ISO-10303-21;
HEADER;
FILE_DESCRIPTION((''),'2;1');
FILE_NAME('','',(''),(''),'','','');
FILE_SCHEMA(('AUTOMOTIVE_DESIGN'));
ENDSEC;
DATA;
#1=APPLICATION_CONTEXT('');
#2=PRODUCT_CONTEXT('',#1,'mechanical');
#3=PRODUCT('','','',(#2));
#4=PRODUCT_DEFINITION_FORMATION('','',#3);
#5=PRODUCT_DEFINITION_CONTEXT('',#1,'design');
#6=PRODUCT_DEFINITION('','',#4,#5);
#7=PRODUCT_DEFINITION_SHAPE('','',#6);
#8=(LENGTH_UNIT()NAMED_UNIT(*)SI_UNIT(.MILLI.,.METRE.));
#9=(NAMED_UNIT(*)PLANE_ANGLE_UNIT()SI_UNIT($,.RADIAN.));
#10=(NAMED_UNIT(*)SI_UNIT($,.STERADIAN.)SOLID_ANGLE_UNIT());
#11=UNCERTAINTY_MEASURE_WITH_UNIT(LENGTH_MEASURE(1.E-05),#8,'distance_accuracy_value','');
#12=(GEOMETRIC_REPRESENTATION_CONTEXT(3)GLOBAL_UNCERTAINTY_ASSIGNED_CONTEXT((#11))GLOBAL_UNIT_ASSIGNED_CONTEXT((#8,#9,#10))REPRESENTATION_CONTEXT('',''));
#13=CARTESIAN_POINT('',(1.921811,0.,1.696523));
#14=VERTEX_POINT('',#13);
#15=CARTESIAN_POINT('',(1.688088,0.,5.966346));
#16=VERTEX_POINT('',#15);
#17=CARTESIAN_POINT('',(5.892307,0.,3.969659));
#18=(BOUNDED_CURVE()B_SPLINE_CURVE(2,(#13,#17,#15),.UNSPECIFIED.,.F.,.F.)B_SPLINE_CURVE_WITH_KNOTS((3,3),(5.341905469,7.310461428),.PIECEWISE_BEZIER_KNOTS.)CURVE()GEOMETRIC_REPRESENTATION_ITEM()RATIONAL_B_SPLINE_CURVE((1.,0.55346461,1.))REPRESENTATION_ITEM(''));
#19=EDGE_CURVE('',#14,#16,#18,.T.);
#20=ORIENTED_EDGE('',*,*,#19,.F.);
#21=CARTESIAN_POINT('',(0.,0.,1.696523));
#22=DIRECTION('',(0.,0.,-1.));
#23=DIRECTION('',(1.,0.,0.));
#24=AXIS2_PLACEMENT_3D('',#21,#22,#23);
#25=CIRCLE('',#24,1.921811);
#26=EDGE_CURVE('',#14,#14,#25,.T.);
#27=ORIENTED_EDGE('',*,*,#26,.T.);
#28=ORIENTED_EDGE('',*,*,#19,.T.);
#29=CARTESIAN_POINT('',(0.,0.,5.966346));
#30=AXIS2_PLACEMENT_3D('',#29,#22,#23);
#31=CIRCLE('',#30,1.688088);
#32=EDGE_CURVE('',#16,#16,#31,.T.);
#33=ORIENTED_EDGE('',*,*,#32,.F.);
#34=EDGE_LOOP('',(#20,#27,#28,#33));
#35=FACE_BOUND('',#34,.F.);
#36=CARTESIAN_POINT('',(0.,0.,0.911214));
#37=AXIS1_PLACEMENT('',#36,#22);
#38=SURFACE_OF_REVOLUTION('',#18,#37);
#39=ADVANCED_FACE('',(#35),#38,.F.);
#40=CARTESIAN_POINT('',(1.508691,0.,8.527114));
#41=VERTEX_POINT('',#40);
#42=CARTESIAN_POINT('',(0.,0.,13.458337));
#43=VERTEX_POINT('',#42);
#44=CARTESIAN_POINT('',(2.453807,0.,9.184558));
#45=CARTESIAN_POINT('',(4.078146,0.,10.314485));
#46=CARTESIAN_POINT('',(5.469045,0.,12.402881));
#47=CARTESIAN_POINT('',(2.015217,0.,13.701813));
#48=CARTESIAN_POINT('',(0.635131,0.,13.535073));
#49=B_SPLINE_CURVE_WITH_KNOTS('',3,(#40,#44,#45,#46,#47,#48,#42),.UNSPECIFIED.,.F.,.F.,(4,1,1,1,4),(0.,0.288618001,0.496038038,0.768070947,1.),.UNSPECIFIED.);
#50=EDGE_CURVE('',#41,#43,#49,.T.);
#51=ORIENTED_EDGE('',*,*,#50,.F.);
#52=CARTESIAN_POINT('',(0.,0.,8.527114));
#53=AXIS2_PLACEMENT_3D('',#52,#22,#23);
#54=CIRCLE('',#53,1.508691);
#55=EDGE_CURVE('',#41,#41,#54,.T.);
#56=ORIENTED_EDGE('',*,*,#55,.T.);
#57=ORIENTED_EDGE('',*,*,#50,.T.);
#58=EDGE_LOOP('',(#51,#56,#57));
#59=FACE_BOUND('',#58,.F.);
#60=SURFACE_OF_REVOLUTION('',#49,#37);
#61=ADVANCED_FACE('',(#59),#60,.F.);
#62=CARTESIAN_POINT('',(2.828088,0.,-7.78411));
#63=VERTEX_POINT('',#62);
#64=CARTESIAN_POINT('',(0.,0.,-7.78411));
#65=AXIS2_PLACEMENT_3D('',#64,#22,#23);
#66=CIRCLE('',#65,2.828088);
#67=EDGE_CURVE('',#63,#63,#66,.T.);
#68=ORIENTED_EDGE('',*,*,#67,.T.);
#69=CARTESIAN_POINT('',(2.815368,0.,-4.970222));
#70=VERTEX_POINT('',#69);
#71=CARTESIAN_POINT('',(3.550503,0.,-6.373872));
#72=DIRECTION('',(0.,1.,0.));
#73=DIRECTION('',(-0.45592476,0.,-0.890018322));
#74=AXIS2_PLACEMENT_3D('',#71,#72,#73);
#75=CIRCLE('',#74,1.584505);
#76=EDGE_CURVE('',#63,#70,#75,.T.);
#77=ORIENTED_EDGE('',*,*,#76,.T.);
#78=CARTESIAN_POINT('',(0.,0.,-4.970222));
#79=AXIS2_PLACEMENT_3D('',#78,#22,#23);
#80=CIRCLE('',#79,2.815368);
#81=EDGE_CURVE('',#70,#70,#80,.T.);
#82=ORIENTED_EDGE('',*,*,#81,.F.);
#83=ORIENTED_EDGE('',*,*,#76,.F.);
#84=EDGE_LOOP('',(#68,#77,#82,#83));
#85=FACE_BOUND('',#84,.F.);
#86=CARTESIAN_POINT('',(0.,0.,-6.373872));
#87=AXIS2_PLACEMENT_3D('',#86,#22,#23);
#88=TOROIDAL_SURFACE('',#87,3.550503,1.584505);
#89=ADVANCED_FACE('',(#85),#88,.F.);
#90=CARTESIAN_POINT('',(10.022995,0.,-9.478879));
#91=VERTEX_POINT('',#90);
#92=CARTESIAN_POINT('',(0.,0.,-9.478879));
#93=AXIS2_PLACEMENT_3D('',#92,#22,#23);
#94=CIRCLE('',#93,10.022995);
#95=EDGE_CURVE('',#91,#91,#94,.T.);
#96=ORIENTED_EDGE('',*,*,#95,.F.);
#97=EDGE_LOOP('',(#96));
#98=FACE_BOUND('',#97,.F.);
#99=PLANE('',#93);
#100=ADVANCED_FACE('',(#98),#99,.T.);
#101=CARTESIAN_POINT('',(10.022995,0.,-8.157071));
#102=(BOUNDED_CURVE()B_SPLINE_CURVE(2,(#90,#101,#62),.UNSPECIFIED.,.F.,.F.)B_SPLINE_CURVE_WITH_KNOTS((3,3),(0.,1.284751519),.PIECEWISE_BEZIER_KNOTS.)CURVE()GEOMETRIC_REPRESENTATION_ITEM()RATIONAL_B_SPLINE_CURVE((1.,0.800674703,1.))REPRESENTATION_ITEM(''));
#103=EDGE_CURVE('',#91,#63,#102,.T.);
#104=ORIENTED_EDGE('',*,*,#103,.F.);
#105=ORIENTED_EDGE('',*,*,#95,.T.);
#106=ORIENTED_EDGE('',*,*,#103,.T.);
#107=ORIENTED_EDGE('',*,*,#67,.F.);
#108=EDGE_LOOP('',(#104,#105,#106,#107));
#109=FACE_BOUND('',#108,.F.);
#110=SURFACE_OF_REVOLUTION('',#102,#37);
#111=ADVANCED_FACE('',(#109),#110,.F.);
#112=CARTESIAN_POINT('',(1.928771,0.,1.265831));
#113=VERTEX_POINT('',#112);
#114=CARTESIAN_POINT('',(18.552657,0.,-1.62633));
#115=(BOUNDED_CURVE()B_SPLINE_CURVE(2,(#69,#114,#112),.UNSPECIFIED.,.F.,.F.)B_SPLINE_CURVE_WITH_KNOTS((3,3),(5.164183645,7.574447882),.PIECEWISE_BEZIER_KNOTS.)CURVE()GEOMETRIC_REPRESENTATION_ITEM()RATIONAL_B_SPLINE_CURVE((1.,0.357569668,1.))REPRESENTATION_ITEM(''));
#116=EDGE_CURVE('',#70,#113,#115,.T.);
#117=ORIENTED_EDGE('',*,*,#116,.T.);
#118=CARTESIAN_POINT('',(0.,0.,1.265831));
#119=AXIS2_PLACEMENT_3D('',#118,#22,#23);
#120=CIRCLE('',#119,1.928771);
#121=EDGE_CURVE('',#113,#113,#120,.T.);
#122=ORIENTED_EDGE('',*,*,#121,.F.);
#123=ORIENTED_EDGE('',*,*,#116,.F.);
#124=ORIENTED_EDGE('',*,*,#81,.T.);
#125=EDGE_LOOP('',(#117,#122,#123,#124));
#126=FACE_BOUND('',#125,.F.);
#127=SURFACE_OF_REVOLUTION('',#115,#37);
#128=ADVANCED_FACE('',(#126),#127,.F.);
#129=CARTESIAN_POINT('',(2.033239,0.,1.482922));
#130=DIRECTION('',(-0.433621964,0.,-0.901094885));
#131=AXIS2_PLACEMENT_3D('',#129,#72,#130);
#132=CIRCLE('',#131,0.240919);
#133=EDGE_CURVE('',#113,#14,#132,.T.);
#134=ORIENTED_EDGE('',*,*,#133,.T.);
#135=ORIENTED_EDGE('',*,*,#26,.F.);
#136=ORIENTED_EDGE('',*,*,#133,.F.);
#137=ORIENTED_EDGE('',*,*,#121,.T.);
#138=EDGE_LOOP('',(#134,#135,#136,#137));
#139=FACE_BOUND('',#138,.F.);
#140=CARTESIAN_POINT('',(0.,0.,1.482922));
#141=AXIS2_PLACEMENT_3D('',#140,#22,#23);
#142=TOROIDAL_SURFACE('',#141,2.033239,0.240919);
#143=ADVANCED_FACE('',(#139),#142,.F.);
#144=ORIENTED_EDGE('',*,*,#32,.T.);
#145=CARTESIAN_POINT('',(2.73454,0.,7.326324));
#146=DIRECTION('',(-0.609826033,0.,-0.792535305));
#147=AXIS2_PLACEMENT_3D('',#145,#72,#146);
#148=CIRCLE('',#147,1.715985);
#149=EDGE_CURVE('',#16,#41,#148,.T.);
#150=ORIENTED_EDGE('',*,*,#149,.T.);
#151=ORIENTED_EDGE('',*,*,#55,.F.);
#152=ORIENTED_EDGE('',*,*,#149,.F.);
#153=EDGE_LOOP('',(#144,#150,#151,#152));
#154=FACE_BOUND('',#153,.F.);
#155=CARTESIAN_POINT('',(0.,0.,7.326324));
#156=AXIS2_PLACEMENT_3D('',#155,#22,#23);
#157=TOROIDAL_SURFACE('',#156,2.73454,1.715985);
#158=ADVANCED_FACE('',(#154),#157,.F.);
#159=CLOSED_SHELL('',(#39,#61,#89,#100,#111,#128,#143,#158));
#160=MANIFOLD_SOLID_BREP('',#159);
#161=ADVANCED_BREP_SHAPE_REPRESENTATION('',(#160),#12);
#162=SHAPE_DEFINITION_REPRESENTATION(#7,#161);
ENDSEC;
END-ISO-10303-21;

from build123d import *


with BuildPart() as f1:
    # F0 (on Front) → F1 (revolve)
    with BuildSketch(Plane.XZ):
        with BuildLine():
            Line((0, -9.4788792344), (10.0229945814, -9.4788792344))
            add(Edge.make_bspline(
                [(10.0229945814, -9.4788792344), (10.0229945814, -8.1570714362), (2.8280877488, -7.7841102008)],
                knots=[0, 0, 0, 1.2847515188, 1.2847515188, 1.2847515188], degree=2, weights=[1, 0.8006747029, 1]))
            ThreePointArc((2.8280877488, -7.7841102008), (1.9660140965, -6.3810340586), (2.8153684601, -4.9702219491))
            add(Edge.make_bspline(
                [(2.8153684601, -4.9702219491), (18.5526569864, -1.6263295645), (1.9287710757, 1.2658312138)],
                knots=[5.1641836446, 5.1641836446, 5.1641836446, 7.5744478818, 7.5744478818, 7.5744478818], degree=2, weights=[1, 0.3575696683, 1]))
            ThreePointArc((1.9287710757, 1.2658312138), (1.7923514955, 1.4790289672), (1.9218109572, 1.6965234077))
            add(Edge.make_bspline(
                [(1.9218109572, 1.6965234077), (5.8923067099, 3.9696594113), (1.6880880576, 5.9663457796)],
                knots=[5.3419054692, 5.3419054692, 5.3419054692, 7.3104614277, 7.3104614277, 7.3104614277], degree=2, weights=[1, 0.55346461, 1]))
            ThreePointArc((1.6880880576, 5.9663457796), (1.0227510376, 7.206402764), (1.5086905295, 8.527113741))
            add(Edge.make_bspline(
                [(1.5086905295, 8.527113741), (2.4538067646, 9.1845577191), (4.0781462083, 10.3144845428), (5.469044603, 12.4028812679), (2.0152173621, 13.701813068), (0.63513135, 13.5350725807), (0, 13.4583367035)],
                knots=[0, 0, 0, 0, 0.2886180008, 0.4960380379, 0.7680709474, 1, 1, 1, 1], degree=3))
            Line((0, 13.4583367035), (0, -9.4788792344))
        make_face()
    revolve(axis=Axis((0, 0, 0.9112141111), (0, 0, -1)))


solid = f1.part
